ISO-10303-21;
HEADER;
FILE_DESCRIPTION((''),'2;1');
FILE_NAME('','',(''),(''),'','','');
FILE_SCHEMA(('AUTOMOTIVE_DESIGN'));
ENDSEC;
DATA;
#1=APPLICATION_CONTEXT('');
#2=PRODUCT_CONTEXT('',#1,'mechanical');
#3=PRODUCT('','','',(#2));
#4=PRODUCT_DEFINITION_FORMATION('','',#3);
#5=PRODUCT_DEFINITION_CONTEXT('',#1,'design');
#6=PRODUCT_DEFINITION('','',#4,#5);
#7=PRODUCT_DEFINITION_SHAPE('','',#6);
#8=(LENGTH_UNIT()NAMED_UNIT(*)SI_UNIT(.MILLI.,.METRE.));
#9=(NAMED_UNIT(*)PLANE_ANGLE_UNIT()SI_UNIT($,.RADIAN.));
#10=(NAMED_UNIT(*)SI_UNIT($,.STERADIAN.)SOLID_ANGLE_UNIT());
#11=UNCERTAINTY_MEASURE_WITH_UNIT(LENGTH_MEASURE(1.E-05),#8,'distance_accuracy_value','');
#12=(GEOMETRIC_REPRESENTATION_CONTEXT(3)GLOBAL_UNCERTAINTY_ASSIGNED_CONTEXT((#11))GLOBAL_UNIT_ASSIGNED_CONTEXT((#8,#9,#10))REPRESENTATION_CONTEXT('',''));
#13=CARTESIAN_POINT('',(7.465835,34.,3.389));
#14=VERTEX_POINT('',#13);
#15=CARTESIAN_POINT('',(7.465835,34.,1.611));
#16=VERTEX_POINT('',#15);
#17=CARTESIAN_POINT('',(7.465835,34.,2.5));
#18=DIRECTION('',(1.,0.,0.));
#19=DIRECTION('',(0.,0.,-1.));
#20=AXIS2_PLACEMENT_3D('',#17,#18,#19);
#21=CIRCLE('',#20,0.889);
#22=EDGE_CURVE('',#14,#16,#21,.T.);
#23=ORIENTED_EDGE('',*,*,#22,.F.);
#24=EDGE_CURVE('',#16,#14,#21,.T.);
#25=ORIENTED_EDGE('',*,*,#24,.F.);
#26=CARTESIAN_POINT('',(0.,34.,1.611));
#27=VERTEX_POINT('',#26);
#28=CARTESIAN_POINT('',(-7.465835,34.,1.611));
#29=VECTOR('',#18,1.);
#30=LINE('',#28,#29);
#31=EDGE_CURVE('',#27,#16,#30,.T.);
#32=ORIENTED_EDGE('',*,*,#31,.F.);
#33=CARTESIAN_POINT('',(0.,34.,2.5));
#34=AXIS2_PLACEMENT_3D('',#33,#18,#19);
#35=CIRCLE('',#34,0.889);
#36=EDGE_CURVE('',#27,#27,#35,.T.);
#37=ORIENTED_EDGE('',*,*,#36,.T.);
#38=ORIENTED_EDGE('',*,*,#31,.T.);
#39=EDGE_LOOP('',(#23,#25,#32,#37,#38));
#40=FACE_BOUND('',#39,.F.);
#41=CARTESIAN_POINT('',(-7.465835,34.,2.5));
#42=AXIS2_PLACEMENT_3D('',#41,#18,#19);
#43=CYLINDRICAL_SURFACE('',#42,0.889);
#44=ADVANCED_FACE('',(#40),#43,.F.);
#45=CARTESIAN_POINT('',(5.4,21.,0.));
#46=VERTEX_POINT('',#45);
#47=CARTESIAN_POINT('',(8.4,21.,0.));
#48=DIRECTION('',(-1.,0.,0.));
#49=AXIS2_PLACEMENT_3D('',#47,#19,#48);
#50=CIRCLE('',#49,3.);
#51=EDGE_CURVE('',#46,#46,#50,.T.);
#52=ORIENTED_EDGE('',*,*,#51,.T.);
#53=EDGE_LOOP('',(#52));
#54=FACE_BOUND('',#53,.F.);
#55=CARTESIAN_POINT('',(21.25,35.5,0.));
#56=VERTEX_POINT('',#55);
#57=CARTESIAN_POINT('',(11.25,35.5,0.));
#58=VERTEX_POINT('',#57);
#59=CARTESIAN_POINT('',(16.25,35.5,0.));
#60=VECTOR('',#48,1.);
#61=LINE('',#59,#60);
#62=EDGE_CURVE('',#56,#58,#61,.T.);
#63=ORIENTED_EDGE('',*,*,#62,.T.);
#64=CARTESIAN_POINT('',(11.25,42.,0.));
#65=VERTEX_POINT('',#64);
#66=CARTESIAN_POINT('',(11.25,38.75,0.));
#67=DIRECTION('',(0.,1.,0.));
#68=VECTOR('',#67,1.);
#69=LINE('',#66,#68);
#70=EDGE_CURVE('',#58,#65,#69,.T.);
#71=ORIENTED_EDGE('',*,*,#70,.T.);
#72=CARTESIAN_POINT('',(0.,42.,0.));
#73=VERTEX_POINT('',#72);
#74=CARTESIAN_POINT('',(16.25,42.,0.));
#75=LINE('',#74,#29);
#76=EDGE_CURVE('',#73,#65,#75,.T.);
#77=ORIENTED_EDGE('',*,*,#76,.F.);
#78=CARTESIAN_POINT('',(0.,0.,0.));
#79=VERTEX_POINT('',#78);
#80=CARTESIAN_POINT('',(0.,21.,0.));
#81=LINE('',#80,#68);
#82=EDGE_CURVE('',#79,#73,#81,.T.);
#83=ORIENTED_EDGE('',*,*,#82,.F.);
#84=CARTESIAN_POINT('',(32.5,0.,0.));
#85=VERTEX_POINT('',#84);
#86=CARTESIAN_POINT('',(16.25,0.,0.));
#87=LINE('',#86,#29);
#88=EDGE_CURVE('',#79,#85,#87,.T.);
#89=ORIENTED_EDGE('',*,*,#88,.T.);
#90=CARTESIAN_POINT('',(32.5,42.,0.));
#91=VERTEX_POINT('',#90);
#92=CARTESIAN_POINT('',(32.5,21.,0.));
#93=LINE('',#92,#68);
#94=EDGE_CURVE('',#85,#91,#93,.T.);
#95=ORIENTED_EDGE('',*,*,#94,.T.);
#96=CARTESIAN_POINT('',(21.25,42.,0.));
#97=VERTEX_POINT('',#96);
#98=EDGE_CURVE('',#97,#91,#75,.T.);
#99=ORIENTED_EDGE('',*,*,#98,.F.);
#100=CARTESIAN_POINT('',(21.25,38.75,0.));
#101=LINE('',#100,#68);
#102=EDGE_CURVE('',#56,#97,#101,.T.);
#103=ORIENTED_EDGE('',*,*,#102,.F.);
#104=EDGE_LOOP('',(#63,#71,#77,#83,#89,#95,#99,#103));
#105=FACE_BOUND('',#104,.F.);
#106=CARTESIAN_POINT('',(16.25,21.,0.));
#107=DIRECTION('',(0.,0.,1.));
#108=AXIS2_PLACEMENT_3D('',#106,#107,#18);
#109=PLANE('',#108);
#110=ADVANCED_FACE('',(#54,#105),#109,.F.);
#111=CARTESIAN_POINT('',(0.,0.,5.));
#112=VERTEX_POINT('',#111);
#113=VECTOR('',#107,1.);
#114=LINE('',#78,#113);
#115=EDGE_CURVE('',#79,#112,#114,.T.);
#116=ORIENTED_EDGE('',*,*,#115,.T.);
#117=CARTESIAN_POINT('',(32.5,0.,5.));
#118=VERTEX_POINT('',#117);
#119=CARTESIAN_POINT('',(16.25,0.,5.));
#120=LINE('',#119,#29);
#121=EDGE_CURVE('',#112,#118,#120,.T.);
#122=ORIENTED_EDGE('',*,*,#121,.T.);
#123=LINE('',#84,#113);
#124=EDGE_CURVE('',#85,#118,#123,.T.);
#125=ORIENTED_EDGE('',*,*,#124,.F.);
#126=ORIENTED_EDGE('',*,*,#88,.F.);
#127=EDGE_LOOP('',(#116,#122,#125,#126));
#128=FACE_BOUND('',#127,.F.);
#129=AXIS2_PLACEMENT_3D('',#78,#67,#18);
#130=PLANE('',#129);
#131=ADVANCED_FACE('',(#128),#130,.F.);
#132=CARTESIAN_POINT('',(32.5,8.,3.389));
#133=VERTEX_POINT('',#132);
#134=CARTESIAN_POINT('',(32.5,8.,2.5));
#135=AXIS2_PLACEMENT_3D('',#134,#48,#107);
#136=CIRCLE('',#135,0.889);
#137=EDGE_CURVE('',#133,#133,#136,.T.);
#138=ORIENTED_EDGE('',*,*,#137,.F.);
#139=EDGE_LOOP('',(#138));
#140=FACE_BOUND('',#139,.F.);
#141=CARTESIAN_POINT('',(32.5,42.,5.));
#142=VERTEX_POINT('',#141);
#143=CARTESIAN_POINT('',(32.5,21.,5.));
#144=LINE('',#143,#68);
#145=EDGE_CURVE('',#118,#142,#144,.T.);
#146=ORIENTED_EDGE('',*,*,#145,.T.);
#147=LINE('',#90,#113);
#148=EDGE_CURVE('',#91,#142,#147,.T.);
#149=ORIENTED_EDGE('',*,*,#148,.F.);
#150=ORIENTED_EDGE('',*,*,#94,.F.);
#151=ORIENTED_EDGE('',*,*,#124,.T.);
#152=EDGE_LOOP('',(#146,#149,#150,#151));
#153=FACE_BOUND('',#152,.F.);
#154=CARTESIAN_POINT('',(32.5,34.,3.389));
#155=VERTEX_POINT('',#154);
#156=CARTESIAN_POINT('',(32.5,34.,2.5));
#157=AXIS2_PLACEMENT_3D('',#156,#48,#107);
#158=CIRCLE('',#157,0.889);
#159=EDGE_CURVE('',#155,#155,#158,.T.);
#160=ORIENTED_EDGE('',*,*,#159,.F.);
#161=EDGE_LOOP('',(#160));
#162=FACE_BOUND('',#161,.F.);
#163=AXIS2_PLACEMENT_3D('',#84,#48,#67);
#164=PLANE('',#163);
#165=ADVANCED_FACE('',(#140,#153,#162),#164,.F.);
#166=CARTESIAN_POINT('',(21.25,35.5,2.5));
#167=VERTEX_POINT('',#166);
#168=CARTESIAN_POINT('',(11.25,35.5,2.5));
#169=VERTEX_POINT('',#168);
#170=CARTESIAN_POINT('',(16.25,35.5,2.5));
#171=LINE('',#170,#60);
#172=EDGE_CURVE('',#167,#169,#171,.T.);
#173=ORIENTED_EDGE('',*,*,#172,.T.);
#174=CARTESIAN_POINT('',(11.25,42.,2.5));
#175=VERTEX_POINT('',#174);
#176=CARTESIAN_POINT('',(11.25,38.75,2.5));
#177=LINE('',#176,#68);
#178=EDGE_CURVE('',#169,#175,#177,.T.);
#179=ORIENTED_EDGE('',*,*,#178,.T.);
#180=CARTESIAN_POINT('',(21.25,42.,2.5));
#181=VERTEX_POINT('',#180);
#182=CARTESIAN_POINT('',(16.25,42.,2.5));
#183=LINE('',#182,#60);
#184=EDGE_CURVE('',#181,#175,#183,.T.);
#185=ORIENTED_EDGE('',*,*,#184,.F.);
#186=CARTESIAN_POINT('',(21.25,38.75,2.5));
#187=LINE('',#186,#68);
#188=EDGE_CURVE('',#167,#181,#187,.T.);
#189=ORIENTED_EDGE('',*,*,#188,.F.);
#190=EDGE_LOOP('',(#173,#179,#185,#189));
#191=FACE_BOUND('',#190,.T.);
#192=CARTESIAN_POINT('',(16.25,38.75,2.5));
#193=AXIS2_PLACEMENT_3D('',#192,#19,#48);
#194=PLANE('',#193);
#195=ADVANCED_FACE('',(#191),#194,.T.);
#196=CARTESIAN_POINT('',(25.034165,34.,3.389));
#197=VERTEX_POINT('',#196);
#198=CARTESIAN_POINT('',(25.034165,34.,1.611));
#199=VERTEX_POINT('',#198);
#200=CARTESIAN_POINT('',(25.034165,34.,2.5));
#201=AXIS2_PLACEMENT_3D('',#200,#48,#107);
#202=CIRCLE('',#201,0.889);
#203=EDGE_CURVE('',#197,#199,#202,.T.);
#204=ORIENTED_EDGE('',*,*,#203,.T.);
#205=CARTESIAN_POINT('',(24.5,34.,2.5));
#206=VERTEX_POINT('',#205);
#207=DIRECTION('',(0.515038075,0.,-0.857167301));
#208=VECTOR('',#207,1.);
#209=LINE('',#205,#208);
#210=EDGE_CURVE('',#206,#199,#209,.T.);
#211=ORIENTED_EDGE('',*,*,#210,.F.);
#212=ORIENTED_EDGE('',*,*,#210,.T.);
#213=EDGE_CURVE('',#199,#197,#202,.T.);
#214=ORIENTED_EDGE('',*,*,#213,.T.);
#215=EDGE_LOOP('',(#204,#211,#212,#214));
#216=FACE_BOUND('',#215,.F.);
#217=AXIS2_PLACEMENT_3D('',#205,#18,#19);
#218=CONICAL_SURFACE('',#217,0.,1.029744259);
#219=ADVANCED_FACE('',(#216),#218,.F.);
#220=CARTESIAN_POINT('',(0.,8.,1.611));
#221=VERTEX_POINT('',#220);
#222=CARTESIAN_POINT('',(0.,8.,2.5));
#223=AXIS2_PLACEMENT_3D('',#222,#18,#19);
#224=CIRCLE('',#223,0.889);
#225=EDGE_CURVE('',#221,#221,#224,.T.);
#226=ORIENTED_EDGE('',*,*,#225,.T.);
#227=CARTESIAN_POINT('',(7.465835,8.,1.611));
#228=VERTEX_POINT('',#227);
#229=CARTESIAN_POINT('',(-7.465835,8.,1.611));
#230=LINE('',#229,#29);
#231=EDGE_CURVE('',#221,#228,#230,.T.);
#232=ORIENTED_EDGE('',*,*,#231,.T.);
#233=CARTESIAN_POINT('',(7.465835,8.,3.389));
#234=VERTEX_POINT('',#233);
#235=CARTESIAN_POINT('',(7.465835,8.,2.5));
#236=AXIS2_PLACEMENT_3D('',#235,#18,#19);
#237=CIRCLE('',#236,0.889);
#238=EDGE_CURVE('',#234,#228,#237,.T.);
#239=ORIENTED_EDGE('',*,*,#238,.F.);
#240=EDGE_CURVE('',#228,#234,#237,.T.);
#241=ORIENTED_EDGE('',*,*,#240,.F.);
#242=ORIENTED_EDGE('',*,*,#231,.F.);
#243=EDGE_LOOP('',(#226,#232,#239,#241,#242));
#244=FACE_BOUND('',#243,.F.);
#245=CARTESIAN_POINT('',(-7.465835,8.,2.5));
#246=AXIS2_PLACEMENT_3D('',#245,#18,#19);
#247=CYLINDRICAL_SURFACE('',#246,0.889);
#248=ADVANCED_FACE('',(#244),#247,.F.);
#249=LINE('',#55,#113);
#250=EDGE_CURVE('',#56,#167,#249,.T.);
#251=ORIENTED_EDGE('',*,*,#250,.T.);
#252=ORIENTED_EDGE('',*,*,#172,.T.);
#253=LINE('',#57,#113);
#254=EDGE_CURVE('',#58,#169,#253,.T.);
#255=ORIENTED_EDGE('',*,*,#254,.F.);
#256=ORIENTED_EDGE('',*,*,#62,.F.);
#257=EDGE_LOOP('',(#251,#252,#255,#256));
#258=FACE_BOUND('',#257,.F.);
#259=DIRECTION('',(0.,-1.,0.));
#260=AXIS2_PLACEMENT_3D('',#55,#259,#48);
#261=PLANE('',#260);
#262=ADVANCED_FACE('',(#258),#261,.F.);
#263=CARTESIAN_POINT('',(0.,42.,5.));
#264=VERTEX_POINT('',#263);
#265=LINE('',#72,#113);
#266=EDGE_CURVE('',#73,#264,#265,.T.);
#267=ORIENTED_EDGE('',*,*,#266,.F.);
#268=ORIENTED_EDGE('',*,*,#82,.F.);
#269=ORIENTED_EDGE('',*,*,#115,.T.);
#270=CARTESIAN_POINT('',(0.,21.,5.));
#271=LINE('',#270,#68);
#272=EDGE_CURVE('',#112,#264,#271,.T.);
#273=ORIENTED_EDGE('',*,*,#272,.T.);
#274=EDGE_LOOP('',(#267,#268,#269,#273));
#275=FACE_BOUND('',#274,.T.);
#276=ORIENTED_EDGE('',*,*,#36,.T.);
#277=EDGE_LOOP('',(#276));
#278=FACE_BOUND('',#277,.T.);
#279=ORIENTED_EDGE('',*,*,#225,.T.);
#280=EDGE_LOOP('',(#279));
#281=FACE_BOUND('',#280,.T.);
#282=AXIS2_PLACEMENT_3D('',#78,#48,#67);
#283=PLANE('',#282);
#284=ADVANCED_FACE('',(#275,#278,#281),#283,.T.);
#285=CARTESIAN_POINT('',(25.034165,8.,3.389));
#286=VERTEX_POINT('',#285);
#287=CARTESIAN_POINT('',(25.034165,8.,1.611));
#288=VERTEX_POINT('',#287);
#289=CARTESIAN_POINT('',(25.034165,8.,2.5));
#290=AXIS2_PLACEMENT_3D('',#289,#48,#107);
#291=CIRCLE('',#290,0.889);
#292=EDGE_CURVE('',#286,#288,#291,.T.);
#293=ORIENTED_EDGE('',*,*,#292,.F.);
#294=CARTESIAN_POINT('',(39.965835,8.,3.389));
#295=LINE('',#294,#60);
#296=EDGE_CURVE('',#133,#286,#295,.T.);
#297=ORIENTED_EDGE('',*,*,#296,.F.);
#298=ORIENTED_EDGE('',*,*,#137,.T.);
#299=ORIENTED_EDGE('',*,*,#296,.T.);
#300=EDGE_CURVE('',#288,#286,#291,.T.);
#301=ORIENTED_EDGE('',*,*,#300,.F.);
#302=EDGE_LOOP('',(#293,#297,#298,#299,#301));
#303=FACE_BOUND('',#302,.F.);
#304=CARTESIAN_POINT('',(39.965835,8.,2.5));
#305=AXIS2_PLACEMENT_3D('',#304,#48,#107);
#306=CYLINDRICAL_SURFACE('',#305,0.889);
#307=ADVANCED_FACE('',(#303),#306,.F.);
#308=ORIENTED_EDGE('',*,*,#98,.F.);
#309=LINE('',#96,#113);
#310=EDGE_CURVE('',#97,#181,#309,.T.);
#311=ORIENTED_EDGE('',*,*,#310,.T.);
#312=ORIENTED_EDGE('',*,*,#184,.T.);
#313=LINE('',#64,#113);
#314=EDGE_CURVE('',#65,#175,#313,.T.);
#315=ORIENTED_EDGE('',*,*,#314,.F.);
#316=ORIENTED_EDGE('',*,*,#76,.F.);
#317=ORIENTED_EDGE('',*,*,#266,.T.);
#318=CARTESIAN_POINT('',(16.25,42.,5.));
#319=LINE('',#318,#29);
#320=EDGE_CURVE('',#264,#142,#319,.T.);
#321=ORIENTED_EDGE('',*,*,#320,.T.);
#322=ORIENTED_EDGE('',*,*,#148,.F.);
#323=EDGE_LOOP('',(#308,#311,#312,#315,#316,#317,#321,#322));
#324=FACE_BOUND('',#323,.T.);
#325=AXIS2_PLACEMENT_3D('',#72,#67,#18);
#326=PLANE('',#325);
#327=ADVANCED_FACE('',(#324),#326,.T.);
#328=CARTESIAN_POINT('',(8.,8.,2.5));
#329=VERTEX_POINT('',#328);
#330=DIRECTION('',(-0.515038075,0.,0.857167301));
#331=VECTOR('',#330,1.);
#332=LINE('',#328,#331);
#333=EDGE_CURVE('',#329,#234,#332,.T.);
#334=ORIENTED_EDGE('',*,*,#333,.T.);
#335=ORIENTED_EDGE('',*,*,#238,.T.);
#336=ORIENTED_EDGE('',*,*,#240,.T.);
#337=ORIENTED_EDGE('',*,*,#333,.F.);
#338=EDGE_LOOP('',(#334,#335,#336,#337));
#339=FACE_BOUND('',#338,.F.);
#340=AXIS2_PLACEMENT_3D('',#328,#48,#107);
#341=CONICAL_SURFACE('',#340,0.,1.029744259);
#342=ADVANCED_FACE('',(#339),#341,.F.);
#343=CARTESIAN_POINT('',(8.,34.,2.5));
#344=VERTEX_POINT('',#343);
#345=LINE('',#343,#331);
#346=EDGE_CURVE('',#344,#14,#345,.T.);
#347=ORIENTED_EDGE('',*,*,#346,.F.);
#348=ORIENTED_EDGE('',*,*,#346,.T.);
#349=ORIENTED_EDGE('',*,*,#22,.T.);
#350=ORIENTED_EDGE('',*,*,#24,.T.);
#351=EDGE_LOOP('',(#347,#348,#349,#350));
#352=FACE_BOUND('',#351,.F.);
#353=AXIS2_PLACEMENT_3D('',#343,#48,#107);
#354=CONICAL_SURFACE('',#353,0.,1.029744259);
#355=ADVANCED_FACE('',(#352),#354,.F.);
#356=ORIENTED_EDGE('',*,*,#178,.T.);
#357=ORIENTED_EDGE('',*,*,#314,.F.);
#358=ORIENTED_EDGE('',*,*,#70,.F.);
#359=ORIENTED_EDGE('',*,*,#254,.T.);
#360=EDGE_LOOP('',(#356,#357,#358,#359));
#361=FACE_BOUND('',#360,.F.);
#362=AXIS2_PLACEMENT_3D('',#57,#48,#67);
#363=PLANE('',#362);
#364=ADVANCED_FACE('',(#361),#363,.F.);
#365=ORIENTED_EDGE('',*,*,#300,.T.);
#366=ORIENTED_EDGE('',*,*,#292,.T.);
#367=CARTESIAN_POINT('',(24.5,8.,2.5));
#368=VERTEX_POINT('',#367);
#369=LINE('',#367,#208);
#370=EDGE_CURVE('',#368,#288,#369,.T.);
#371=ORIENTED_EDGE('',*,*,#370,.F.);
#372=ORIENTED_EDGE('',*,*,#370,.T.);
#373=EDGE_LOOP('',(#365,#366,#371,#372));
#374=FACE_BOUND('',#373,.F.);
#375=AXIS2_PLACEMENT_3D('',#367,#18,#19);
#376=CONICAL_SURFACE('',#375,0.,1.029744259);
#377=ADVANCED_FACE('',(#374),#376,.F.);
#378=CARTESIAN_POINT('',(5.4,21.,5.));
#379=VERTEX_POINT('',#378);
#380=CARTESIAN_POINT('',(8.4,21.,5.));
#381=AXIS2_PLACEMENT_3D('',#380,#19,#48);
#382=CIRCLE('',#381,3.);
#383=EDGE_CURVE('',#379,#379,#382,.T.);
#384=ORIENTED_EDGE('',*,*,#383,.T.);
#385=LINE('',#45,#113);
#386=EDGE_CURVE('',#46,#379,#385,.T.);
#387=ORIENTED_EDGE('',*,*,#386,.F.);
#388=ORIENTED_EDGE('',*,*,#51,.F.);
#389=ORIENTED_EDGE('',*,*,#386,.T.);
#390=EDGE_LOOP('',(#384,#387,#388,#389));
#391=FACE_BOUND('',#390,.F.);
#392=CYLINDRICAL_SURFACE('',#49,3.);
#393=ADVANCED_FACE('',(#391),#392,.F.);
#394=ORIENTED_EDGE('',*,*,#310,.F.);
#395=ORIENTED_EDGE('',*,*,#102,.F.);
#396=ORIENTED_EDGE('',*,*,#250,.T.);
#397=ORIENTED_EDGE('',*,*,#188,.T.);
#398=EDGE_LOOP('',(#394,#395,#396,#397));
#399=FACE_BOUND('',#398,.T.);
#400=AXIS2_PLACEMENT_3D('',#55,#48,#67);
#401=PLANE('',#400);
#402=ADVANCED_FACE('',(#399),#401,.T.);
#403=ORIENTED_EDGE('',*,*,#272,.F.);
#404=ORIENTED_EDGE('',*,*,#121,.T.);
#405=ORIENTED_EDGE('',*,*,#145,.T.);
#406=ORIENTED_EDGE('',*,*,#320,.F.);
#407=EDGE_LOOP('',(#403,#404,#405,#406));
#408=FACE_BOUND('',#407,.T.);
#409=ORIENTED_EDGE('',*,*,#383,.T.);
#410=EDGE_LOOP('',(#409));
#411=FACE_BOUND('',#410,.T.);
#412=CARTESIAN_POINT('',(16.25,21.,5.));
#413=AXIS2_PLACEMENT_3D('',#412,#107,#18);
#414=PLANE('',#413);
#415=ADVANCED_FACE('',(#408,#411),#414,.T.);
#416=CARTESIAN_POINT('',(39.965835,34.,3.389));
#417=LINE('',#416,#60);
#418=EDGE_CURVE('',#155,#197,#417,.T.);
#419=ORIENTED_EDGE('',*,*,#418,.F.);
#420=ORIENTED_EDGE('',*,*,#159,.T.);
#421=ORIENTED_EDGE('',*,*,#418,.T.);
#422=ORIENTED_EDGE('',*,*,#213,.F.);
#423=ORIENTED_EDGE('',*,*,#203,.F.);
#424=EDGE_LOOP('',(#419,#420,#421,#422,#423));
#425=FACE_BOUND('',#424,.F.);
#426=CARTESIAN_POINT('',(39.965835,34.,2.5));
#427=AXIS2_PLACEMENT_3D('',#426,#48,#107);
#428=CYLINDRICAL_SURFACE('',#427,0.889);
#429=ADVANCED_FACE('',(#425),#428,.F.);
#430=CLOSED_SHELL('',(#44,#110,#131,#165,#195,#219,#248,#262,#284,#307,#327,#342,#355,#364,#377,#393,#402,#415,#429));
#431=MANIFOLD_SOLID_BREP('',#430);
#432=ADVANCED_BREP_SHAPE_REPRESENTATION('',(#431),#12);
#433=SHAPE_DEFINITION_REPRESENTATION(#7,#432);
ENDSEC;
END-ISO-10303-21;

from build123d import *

# Parameters (mm, degrees)
SKETCH1_W                 = 32.5
SKETCH1_H                 = 42
BOSS_EXTRUDE2_DEPTH       = 5
F_2_56_TAPPED_HOLE1_D     = 1.778
F_2_56_TAPPED_HOLE1_DEPTH = 7.46583491
F_2_56_TAPPED_HOLE1_TIP   = 0.53416509
F_2_56_TAPPED_HOLE2_D     = 1.778
F_2_56_TAPPED_HOLE2_DEPTH = 7.46583491
F_2_56_TAPPED_HOLE2_TIP   = 0.53416509
CUT_EXTRUDE1_DEPTH        = 5
SKETCH10_W                = 10
SKETCH10_H                = 6.5
CUT_EXTRUDE2_DEPTH        = 2.5


with BuildPart() as part:
    # Sketch1 → Boss-Extrude2 (new body)
    with BuildSketch(Plane.XY):
        with Locations((16.25, 21)):
            Rectangle(SKETCH1_W, SKETCH1_H)
    extrude(amount=BOSS_EXTRUDE2_DEPTH)

    # #2-56 Tapped Hole1
    with Locations(Plane.ZY):
        with Locations((2.5, 34), (2.5, 8)):
            Hole(F_2_56_TAPPED_HOLE1_D / 2, depth=F_2_56_TAPPED_HOLE1_DEPTH)
            with Locations((0, 0, -(F_2_56_TAPPED_HOLE1_DEPTH + F_2_56_TAPPED_HOLE1_TIP / 2))):  # 118° drill point
                Cone(0, F_2_56_TAPPED_HOLE1_D / 2, F_2_56_TAPPED_HOLE1_TIP, mode=Mode.SUBTRACT)

    # #2-56 Tapped Hole2
    with Locations(Plane(origin=(32.5, 0, 0), x_dir=(0, 0, -1), z_dir=(1, 0, 0))):
        with Locations((-2.5, 34), (-2.5, 8)):
            Hole(F_2_56_TAPPED_HOLE2_D / 2, depth=F_2_56_TAPPED_HOLE2_DEPTH)
            with Locations((0, 0, -(F_2_56_TAPPED_HOLE2_DEPTH + F_2_56_TAPPED_HOLE2_TIP / 2))):  # 118° drill point
                Cone(0, F_2_56_TAPPED_HOLE2_D / 2, F_2_56_TAPPED_HOLE2_TIP, mode=Mode.SUBTRACT)

    # Sketch9 → Cut-Extrude1 (cut)
    with BuildSketch(Plane(origin=(0, 0, 0), x_dir=(-1, 0, 0), z_dir=(0, 0, -1))):
        with BuildLine():
            ThreePointArc((-11.4, 21), (-8.4, 18), (-5.4, 21))
            Line((-5.4, 21), (-8.4, 21))
            Line((-8.4, 21), (-11.4, 21))
        make_face()
        with BuildLine():
            Line((-8.4, 21), (-5.4, 21))
            ThreePointArc((-5.4, 21), (-8.4, 24), (-11.4, 21))
            Line((-11.4, 21), (-8.4, 21))
        make_face()
    extrude(amount=-CUT_EXTRUDE1_DEPTH, mode=Mode.SUBTRACT)

    # Sketch10 → Cut-Extrude2 (cut)
    with BuildSketch(Plane(origin=(0, 0, 0), x_dir=(-1, 0, 0), z_dir=(0, 0, -1))):
        with Locations((-16.25, 38.75)):
            Rectangle(SKETCH10_W, SKETCH10_H)
    extrude(amount=-CUT_EXTRUDE2_DEPTH, mode=Mode.SUBTRACT)


solid = part.part
